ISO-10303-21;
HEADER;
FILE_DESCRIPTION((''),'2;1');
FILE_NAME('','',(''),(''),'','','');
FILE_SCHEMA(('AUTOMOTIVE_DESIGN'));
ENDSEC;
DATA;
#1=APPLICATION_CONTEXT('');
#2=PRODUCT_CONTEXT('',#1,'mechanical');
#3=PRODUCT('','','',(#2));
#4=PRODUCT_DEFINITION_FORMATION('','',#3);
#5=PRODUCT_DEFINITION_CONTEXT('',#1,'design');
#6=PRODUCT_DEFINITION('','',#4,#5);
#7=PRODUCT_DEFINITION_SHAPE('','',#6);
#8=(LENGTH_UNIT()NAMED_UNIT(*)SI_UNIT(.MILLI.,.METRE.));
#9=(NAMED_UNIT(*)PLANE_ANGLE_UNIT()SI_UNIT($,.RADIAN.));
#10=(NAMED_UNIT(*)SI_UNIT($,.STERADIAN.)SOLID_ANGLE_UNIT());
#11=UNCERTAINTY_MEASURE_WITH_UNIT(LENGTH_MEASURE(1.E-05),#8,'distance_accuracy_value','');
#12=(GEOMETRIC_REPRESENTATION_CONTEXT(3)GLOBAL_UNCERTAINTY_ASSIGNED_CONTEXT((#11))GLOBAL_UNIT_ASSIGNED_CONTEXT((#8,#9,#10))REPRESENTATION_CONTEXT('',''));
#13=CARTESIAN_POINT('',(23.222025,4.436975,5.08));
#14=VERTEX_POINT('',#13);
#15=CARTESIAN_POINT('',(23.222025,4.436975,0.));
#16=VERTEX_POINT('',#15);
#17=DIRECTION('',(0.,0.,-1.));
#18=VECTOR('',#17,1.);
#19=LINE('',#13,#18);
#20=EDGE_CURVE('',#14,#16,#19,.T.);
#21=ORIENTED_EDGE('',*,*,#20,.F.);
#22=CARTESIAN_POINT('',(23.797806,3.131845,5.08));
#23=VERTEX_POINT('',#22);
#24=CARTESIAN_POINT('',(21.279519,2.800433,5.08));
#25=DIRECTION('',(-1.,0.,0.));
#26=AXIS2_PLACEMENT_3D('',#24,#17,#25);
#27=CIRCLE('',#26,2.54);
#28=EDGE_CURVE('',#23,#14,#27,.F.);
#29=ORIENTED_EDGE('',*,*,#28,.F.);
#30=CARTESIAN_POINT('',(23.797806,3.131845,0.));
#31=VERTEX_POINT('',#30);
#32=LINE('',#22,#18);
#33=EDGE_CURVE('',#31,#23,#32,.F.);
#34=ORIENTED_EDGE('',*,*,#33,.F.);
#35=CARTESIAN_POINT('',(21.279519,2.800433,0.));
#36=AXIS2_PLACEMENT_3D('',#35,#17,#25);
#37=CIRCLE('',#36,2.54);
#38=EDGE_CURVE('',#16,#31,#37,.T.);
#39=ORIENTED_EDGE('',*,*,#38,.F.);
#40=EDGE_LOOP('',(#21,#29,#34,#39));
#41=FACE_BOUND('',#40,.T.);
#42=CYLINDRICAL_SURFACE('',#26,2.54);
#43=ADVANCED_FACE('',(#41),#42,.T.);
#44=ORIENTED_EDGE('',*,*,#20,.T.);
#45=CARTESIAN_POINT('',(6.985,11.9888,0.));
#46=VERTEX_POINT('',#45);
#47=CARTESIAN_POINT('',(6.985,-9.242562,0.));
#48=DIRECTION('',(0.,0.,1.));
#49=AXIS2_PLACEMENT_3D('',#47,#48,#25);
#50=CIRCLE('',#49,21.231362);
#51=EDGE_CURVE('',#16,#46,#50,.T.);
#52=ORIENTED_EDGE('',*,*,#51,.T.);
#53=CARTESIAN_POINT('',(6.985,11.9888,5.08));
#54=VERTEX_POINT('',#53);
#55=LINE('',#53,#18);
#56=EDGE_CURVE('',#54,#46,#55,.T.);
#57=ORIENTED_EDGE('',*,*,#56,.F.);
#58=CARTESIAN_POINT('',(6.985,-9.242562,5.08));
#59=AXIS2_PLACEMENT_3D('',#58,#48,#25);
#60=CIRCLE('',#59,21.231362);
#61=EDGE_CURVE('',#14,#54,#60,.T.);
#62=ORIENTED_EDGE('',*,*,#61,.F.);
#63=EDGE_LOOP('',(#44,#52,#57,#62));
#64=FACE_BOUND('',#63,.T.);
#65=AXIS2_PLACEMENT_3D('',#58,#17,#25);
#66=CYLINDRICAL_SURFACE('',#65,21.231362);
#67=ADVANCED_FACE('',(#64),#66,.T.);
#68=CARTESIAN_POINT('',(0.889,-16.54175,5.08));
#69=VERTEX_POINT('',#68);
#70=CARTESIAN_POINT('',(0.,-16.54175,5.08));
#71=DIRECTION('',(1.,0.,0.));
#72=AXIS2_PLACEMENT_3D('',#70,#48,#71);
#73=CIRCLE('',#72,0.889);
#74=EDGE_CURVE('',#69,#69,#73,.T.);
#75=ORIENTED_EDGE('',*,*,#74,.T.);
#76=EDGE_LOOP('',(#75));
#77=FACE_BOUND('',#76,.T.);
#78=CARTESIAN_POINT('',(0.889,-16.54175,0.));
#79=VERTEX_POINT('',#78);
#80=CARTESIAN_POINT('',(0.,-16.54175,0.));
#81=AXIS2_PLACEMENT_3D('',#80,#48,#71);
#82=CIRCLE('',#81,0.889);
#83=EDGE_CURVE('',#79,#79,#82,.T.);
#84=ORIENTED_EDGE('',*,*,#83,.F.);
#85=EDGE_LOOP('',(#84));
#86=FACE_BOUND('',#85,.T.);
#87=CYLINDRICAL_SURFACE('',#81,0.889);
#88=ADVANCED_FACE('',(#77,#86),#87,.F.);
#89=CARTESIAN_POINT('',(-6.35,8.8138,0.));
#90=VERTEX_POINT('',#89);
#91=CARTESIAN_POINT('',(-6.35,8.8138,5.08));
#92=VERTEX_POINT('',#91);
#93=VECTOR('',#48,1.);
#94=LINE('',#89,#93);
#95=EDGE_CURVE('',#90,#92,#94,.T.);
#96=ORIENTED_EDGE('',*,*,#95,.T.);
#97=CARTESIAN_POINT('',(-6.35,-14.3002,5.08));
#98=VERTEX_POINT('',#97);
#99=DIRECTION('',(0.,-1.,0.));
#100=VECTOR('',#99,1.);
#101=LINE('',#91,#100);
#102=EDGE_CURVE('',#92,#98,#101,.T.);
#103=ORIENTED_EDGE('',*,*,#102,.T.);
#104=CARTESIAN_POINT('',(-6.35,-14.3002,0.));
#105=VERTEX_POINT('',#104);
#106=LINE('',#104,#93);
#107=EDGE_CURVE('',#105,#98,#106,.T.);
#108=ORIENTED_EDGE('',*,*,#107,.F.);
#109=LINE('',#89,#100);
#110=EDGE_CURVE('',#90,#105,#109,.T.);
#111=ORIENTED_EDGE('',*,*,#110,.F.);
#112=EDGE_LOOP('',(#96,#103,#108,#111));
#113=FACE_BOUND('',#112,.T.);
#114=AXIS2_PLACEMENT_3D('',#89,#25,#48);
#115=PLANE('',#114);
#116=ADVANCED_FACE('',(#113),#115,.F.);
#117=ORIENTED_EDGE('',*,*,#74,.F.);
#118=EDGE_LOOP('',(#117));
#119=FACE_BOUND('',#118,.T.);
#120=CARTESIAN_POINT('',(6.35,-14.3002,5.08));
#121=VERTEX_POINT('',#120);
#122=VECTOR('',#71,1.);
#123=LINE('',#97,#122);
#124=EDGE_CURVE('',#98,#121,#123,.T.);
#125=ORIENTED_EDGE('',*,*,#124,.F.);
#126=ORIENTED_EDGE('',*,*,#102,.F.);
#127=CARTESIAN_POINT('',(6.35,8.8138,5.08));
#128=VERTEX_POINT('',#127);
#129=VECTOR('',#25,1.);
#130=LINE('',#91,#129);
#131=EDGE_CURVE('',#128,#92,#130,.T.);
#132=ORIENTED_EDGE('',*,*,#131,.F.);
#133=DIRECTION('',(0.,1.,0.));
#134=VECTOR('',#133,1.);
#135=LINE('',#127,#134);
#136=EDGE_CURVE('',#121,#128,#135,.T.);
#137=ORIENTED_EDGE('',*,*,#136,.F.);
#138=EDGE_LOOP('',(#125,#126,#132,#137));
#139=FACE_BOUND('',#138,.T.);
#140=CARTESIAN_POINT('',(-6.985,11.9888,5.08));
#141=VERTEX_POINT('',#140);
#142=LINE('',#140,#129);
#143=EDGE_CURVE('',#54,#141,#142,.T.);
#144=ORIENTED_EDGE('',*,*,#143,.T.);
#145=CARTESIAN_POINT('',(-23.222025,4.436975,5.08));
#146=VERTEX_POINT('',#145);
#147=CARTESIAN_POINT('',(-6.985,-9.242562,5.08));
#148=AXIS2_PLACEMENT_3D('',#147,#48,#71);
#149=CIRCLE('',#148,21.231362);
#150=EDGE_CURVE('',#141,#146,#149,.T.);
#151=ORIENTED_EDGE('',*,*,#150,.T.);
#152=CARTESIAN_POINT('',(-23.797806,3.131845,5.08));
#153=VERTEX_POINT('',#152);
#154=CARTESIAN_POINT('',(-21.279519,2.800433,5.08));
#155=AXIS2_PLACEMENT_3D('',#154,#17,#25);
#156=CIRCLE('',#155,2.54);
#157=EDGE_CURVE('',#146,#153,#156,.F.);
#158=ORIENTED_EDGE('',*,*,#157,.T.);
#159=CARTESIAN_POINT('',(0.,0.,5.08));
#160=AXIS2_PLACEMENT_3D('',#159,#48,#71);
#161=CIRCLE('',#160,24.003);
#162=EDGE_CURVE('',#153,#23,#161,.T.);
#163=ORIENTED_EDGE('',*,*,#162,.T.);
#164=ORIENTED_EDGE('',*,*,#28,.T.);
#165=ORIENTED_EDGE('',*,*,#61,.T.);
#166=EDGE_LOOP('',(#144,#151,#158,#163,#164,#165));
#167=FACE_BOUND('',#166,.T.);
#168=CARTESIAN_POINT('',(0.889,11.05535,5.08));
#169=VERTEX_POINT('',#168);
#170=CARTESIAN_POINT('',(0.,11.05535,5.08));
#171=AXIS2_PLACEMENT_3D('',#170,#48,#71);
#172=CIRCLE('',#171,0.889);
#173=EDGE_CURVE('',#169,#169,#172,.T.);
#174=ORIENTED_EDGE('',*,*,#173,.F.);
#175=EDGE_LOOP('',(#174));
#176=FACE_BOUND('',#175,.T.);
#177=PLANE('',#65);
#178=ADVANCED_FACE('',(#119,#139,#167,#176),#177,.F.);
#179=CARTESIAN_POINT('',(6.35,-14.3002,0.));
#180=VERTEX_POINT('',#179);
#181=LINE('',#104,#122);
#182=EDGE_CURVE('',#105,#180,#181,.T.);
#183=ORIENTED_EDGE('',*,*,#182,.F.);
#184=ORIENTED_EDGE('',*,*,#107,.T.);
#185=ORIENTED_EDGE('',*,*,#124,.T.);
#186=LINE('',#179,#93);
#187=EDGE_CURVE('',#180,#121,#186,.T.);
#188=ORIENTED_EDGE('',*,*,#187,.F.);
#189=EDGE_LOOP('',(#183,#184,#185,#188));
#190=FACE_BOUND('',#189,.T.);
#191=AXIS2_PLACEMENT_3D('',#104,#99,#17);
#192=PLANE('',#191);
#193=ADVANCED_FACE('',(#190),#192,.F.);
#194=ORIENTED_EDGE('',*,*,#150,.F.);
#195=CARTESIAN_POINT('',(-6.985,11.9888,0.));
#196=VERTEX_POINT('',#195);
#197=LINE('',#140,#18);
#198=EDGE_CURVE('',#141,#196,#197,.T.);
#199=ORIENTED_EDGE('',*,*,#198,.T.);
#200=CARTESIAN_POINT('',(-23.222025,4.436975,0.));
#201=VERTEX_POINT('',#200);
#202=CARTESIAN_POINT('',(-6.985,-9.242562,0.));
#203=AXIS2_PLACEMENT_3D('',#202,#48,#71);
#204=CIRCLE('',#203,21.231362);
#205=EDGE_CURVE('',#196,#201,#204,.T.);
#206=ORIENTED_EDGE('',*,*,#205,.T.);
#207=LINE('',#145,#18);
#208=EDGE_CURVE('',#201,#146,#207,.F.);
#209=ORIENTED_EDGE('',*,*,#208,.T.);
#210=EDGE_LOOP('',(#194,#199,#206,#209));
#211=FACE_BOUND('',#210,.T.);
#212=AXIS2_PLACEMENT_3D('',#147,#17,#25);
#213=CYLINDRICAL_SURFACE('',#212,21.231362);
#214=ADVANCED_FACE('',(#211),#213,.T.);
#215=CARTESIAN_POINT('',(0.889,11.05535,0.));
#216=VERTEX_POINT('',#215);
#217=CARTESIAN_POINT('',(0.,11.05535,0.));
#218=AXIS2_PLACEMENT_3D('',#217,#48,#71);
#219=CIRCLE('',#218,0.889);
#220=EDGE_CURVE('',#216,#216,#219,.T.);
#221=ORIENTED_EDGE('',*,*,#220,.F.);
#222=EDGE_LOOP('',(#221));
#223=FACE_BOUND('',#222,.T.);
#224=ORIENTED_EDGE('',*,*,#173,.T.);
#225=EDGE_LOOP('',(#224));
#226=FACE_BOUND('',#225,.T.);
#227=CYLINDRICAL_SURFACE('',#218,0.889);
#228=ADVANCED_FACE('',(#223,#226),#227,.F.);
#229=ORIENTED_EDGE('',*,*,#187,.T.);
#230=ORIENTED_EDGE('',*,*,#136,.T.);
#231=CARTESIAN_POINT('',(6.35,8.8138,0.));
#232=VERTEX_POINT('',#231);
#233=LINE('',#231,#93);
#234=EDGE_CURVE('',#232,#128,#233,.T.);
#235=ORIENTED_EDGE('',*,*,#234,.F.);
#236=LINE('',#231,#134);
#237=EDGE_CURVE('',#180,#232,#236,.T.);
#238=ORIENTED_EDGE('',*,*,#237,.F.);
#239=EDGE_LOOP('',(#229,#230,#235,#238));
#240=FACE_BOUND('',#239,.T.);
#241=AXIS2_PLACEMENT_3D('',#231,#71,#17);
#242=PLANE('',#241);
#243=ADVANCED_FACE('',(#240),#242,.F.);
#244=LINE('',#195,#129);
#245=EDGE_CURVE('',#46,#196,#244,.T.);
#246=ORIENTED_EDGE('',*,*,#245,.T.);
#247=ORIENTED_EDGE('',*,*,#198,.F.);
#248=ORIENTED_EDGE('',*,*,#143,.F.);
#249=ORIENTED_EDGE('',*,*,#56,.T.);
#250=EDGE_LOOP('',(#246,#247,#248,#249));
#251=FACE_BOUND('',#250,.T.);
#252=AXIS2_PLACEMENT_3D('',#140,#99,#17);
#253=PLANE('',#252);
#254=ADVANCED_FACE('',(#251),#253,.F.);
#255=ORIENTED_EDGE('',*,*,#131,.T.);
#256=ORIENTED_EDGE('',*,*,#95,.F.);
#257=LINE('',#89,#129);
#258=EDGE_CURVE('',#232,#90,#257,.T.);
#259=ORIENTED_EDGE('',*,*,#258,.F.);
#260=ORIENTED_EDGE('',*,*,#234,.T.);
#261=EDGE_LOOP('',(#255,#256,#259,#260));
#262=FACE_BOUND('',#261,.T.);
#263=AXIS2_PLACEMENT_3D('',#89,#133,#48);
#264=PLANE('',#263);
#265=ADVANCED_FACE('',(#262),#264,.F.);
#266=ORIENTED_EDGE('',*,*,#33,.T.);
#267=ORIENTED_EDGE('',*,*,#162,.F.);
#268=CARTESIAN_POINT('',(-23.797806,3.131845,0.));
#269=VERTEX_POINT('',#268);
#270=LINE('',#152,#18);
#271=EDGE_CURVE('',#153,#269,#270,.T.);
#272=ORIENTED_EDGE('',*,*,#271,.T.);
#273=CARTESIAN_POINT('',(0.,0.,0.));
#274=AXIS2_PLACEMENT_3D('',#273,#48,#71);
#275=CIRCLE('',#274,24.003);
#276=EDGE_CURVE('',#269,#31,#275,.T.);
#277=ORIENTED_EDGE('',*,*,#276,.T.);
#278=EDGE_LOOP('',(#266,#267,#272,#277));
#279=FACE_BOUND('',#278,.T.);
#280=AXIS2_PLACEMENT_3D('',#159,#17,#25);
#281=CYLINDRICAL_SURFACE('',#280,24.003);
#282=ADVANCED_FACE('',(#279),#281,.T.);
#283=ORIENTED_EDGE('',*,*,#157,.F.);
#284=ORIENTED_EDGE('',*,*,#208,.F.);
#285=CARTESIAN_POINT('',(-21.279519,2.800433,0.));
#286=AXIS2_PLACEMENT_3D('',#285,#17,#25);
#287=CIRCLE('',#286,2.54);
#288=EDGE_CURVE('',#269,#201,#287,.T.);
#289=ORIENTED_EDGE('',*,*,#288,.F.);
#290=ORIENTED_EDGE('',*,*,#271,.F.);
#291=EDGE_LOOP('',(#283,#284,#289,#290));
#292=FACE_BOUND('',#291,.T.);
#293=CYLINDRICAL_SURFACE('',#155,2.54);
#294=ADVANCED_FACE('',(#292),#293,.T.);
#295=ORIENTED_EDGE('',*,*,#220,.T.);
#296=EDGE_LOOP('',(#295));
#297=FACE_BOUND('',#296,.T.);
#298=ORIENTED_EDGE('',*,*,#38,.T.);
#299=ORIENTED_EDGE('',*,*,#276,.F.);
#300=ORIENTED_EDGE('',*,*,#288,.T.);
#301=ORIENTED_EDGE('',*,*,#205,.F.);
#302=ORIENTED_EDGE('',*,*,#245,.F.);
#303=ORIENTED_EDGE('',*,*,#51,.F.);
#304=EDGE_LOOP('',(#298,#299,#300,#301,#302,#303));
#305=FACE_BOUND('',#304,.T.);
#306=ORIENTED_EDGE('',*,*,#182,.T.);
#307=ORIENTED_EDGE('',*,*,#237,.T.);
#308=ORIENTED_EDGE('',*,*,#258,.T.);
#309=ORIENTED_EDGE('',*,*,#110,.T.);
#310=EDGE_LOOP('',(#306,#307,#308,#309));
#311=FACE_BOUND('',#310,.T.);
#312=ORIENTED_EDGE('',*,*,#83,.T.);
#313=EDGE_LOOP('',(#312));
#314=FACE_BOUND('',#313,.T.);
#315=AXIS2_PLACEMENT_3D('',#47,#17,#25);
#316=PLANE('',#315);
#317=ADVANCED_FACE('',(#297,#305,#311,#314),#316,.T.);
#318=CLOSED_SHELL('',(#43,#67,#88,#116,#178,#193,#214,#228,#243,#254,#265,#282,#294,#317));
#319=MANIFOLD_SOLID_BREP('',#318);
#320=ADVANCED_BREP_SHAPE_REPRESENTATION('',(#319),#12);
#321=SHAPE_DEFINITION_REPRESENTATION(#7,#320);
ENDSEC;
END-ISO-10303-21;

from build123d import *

# Parameters (mm, degrees)
BOSS_EXTRUDE1_DEPTH = 5.08
FILLET1_R           = 2.54
SKETCH5_R           = 0.889
SKETCH5_W           = 12.7
SKETCH5_H           = 23.114
CUT_EXTRUDE1_DEPTH  = 35.323380204


with BuildPart() as part:
    # Sketch1 → Boss-Extrude1 (new body)
    with BuildSketch(Plane.XY):
        with BuildLine():
            Line((-6.985, 11.9888), (6.985, 11.9888))
            ThreePointArc((6.985, 11.9888), (16.273931797, 9.848966937), (23.69046712, 3.8608))
            ThreePointArc((23.69046712, 3.8608), (0, -24.003), (-23.69046712, 3.8608))
            ThreePointArc((-23.69046712, 3.8608), (-16.273931797, 9.848966937), (-6.985, 11.9888))
        make_face()
    extrude(amount=BOSS_EXTRUDE1_DEPTH)

    # Fillet1
    fillet1_edges = [part.edges().sort_by_distance(p)[0] for p in [
        (23.69046712, 3.8608, 2.54),
        (-23.69046712, 3.8608, 2.54),
    ]]
    fillet(fillet1_edges, radius=FILLET1_R)

    # Sketch5 → Cut-Extrude1 (cut, through all)
    with BuildSketch(Plane.XY.offset(5.08)):
        with Locations((0, -16.54175)):
            Circle(SKETCH5_R)
        with Locations((0, 11.05535)):
            Circle(SKETCH5_R)
        with Locations((0, -2.7432)):
            Rectangle(SKETCH5_W, SKETCH5_H)
    extrude(amount=-CUT_EXTRUDE1_DEPTH, mode=Mode.SUBTRACT)


solid = part.part
